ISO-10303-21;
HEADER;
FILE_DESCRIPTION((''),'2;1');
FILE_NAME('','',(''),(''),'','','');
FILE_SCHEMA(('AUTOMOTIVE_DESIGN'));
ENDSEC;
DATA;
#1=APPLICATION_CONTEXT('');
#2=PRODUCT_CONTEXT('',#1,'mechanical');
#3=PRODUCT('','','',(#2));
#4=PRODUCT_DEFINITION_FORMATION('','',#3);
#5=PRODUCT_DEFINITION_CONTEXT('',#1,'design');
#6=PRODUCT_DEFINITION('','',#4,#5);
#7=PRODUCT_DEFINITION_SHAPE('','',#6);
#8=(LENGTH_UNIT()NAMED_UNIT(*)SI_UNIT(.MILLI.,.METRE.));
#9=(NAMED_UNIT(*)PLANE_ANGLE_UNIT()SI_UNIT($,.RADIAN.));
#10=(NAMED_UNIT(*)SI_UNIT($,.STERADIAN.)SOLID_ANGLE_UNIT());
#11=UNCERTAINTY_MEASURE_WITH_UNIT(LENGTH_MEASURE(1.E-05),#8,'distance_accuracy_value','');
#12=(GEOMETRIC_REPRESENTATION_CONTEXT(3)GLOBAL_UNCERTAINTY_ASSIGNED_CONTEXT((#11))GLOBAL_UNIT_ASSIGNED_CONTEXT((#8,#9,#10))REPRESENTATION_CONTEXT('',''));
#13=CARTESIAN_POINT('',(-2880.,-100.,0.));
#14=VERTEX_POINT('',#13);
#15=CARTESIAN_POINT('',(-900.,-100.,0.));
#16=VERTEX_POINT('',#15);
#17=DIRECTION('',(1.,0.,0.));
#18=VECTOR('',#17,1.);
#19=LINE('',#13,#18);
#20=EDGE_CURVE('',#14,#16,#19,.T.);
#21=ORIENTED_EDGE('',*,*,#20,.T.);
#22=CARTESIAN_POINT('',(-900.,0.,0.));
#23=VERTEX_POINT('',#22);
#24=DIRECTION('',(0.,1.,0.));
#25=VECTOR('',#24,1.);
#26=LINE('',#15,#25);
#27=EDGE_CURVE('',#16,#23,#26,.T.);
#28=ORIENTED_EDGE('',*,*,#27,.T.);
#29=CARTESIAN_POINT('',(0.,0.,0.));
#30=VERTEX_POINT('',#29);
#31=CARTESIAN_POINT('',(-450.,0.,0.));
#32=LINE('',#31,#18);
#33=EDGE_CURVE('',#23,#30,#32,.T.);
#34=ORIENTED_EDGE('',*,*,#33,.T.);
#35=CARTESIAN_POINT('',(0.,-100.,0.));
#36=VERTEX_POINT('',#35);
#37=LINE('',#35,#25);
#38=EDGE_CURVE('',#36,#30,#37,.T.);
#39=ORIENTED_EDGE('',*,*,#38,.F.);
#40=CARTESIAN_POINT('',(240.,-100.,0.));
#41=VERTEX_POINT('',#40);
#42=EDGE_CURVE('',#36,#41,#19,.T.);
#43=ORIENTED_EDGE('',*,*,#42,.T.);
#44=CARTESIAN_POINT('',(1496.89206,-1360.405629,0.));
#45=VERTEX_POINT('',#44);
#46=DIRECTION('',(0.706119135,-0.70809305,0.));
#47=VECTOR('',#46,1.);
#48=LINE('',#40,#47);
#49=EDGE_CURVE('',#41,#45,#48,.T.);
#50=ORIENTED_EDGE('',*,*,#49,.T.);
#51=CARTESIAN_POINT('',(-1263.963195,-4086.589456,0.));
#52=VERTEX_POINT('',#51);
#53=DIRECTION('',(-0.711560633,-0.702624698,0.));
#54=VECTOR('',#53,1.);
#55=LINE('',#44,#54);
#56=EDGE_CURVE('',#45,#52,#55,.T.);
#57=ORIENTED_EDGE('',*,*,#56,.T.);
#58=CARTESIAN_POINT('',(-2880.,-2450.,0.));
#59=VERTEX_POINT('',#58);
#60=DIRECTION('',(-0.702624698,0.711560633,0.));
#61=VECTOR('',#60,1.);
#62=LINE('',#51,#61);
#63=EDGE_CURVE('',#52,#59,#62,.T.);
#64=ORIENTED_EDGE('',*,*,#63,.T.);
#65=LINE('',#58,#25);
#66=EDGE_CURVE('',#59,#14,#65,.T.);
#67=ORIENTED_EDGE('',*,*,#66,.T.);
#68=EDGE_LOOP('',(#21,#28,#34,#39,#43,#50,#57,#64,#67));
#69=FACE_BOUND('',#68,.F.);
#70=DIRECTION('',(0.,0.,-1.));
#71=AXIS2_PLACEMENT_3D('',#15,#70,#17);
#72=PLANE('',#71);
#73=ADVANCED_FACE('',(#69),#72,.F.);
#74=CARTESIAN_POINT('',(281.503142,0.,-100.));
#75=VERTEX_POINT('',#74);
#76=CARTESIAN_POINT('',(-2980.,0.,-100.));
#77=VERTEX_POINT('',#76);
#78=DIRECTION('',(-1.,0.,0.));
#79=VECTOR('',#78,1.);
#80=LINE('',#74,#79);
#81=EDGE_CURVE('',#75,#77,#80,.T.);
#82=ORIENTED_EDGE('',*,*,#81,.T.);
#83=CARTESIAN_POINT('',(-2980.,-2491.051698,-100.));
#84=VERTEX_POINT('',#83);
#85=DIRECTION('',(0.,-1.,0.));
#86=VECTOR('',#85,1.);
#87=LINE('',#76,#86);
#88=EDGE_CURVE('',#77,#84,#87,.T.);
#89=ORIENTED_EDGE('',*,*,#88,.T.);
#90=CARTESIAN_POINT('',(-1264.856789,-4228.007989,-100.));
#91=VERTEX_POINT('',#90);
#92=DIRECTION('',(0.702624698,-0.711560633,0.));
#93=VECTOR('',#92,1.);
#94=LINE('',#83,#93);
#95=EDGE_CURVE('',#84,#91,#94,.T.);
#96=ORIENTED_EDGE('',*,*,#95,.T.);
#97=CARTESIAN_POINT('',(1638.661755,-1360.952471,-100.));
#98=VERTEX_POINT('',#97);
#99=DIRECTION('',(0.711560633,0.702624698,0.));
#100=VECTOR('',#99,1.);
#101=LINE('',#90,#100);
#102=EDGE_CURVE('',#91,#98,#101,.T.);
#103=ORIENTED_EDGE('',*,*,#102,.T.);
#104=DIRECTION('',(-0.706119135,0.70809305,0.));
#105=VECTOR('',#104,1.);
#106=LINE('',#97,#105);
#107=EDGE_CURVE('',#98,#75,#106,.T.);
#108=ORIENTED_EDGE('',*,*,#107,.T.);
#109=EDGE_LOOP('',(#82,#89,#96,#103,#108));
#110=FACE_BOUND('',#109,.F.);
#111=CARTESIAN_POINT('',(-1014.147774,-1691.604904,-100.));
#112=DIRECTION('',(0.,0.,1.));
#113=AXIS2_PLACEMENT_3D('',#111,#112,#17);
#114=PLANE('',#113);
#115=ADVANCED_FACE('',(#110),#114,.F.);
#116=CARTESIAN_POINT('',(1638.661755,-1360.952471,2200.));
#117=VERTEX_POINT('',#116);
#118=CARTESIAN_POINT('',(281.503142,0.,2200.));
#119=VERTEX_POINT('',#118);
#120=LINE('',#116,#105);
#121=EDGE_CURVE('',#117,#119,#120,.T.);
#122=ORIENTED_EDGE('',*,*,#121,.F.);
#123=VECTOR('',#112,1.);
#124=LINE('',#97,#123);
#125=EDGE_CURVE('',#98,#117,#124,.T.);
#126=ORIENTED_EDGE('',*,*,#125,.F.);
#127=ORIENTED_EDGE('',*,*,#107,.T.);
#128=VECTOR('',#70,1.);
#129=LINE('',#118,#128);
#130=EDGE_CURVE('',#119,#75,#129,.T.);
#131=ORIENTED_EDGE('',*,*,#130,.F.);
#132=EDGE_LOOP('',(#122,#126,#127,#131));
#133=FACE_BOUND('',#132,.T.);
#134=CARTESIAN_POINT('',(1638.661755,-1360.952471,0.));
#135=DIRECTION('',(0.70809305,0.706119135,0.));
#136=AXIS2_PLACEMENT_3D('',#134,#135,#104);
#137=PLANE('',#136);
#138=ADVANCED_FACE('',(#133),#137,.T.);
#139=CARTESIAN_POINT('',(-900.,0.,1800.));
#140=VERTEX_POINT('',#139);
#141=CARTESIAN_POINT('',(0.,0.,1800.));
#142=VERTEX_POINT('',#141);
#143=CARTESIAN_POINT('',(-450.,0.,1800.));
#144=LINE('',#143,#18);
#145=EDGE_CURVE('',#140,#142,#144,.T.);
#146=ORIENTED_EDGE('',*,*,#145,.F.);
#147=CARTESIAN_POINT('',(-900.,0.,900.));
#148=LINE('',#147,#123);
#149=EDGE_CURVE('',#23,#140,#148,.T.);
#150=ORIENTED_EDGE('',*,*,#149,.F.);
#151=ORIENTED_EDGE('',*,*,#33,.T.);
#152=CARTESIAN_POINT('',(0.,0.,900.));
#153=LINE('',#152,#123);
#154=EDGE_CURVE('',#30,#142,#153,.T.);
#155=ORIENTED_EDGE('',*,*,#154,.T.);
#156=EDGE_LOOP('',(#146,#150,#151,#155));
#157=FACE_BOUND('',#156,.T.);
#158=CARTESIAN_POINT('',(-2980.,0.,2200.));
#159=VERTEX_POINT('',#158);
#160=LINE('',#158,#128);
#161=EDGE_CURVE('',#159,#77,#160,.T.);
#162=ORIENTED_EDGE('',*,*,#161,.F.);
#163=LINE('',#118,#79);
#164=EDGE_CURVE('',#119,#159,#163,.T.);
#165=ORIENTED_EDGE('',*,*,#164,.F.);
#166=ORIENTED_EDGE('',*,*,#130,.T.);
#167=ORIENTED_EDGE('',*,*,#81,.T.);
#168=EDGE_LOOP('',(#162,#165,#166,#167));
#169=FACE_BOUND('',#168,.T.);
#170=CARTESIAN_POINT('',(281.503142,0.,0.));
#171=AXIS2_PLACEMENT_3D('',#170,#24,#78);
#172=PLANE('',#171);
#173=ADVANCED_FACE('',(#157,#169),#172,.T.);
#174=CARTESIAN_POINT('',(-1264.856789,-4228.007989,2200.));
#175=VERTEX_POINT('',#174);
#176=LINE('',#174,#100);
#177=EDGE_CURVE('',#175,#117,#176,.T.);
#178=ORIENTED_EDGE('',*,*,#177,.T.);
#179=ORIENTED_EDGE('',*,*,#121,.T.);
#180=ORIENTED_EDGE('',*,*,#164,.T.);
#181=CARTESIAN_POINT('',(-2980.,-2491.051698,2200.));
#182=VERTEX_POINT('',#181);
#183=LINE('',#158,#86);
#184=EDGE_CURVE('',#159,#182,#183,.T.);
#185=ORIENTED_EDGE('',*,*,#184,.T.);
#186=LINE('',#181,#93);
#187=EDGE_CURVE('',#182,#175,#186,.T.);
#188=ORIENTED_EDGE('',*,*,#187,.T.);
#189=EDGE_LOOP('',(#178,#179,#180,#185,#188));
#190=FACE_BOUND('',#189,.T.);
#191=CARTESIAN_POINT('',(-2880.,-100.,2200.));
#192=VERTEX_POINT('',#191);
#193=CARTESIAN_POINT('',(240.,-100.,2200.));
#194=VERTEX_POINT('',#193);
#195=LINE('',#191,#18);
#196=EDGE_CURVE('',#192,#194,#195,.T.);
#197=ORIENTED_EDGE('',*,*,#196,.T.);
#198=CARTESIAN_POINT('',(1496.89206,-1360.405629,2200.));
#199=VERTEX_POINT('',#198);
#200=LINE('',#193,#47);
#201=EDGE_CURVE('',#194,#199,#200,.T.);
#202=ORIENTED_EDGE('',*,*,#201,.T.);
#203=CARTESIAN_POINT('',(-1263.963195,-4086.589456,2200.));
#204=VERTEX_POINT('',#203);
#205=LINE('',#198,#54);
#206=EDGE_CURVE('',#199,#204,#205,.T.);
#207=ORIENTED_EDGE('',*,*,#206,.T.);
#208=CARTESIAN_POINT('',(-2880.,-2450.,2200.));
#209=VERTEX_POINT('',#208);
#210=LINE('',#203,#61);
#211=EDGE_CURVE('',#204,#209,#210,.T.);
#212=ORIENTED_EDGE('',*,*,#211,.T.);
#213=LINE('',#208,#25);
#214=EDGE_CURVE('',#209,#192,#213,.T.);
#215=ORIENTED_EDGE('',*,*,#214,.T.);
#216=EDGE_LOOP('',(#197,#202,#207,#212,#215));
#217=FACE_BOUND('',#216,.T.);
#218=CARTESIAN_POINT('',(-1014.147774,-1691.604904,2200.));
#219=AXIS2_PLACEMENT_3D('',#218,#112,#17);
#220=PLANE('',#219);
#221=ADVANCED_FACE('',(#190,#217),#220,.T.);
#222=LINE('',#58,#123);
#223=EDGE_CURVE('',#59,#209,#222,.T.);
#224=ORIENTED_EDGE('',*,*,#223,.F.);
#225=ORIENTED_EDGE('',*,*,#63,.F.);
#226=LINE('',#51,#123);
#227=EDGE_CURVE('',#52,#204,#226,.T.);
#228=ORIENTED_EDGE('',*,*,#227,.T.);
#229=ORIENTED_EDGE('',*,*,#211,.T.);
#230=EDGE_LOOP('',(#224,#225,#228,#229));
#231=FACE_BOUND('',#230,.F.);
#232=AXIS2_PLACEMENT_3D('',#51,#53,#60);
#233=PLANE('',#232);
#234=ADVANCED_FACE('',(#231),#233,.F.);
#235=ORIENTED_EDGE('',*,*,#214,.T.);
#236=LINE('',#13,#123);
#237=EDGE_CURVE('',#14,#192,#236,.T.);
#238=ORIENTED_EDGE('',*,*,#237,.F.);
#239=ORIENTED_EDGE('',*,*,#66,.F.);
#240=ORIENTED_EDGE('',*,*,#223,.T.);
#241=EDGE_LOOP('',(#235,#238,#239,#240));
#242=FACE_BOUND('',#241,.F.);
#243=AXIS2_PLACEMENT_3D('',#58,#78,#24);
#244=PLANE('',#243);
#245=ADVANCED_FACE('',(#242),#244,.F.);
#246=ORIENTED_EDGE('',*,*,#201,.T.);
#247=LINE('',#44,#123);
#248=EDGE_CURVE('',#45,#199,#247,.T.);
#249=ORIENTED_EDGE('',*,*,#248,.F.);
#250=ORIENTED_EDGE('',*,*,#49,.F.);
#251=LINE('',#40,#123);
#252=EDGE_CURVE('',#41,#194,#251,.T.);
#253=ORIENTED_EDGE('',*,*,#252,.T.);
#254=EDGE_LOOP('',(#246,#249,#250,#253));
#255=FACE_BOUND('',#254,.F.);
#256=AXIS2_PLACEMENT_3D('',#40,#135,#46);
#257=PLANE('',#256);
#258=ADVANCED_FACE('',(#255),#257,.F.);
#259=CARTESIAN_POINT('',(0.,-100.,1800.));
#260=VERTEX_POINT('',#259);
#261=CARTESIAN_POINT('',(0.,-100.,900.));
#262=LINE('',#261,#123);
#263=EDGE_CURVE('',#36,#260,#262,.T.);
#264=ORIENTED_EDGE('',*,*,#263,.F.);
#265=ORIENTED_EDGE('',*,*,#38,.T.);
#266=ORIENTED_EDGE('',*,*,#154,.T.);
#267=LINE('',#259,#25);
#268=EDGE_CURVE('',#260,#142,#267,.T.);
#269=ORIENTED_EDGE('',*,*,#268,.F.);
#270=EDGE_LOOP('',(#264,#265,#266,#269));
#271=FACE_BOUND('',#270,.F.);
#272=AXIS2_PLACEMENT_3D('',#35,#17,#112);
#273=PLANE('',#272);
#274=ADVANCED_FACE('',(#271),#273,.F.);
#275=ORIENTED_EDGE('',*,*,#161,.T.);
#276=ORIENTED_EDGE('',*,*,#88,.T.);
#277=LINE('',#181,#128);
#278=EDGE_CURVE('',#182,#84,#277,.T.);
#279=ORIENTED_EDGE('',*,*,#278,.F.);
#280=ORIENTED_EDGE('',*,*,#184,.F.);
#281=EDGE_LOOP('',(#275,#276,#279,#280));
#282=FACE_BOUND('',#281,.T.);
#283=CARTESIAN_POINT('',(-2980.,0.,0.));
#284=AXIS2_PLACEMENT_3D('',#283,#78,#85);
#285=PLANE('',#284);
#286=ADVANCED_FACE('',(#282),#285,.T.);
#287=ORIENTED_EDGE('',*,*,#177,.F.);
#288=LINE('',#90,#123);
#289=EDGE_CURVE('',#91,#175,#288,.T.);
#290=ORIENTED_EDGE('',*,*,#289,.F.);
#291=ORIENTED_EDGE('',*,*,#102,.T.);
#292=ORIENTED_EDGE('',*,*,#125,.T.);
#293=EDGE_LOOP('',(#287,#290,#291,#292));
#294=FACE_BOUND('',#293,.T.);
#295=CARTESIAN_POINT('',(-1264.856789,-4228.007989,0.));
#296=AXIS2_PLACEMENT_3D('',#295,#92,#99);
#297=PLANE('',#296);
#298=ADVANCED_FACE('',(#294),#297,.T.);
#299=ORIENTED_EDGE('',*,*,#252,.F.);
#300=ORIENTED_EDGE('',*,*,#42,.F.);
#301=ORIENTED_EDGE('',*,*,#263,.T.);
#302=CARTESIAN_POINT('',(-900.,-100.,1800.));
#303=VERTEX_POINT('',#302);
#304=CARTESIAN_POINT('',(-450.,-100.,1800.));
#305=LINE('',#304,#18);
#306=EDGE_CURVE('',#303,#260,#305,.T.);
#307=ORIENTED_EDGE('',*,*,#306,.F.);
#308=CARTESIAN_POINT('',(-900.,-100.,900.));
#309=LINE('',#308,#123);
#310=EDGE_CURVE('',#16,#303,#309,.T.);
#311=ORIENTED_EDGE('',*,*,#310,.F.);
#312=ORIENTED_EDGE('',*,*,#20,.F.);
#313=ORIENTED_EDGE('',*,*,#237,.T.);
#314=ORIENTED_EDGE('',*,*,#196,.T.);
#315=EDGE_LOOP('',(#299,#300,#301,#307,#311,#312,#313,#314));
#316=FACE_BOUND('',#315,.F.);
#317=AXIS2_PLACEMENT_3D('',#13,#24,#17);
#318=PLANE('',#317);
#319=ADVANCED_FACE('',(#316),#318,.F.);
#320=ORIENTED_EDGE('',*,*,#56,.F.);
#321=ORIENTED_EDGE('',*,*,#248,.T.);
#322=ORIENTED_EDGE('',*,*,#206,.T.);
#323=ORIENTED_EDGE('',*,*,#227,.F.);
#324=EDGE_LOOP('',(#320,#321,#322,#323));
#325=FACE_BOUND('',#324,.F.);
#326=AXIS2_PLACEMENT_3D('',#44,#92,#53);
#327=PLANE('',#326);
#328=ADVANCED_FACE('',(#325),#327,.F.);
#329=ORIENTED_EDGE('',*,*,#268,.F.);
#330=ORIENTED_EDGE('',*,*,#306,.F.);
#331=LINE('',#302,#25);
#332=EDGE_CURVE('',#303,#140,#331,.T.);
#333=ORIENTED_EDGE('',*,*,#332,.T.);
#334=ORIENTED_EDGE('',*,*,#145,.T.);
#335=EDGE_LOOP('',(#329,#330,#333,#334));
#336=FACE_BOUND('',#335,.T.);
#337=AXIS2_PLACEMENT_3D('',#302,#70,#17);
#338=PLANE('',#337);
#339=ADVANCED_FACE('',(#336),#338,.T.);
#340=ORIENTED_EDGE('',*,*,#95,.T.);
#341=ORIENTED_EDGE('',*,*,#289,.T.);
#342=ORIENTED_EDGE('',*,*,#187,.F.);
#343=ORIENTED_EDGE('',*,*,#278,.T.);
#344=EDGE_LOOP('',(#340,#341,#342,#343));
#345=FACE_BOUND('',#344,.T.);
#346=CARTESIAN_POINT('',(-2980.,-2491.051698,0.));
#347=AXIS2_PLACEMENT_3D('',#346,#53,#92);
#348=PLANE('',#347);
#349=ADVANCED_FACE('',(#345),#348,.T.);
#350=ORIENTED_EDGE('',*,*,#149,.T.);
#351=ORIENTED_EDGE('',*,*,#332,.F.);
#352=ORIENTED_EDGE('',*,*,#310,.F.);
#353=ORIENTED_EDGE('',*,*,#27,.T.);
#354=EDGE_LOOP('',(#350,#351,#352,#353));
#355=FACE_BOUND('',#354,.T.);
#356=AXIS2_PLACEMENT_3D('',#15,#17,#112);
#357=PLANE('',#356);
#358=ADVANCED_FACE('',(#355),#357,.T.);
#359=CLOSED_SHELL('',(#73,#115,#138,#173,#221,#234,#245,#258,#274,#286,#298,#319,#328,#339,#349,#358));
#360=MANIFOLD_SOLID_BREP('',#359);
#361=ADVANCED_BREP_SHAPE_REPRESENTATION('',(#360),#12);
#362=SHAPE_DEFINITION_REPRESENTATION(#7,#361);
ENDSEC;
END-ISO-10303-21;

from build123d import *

# Parameters (mm, degrees)
F1_DEPTH = 2200
F3_DEPTH = 100
F4_W     = 900
F4_H     = 1800
F5_DEPTH = 100


with BuildPart() as f1:
    # F0 (on Top) → F1 (new body)
    with BuildSketch(Plane.XY):
        Polygon((281.503142, 0), (0, 0), (-2980, 0), (-2980, -2491.051698), (-1264.856789, -4228.007989), (1638.661755, -1360.952471), align=None)
        Polygon((-2880, -2450), (-2880, -100), (0, -100), (240, -100), (1496.89206, -1360.405629), (-1263.963195, -4086.589456), align=None, mode=Mode.SUBTRACT)
    extrude(amount=F1_DEPTH)

    # F2 (on Top) → F3 (join)
    with BuildSketch(Plane.XY):
        Polygon((-2980, -2491.051698), (-1264.856789, -4228.007989), (1638.661755, -1360.952471), (281.503142, 0), (-2980, 0), align=None)
    extrude(amount=-F3_DEPTH)

    # F4 (on face) → F5 (cut, through all)
    with BuildSketch(Plane.XZ.offset(100)):
        with Locations((-450, 900)):
            Rectangle(F4_W, F4_H)
    extrude(amount=-F5_DEPTH, mode=Mode.SUBTRACT)


solid = f1.part
